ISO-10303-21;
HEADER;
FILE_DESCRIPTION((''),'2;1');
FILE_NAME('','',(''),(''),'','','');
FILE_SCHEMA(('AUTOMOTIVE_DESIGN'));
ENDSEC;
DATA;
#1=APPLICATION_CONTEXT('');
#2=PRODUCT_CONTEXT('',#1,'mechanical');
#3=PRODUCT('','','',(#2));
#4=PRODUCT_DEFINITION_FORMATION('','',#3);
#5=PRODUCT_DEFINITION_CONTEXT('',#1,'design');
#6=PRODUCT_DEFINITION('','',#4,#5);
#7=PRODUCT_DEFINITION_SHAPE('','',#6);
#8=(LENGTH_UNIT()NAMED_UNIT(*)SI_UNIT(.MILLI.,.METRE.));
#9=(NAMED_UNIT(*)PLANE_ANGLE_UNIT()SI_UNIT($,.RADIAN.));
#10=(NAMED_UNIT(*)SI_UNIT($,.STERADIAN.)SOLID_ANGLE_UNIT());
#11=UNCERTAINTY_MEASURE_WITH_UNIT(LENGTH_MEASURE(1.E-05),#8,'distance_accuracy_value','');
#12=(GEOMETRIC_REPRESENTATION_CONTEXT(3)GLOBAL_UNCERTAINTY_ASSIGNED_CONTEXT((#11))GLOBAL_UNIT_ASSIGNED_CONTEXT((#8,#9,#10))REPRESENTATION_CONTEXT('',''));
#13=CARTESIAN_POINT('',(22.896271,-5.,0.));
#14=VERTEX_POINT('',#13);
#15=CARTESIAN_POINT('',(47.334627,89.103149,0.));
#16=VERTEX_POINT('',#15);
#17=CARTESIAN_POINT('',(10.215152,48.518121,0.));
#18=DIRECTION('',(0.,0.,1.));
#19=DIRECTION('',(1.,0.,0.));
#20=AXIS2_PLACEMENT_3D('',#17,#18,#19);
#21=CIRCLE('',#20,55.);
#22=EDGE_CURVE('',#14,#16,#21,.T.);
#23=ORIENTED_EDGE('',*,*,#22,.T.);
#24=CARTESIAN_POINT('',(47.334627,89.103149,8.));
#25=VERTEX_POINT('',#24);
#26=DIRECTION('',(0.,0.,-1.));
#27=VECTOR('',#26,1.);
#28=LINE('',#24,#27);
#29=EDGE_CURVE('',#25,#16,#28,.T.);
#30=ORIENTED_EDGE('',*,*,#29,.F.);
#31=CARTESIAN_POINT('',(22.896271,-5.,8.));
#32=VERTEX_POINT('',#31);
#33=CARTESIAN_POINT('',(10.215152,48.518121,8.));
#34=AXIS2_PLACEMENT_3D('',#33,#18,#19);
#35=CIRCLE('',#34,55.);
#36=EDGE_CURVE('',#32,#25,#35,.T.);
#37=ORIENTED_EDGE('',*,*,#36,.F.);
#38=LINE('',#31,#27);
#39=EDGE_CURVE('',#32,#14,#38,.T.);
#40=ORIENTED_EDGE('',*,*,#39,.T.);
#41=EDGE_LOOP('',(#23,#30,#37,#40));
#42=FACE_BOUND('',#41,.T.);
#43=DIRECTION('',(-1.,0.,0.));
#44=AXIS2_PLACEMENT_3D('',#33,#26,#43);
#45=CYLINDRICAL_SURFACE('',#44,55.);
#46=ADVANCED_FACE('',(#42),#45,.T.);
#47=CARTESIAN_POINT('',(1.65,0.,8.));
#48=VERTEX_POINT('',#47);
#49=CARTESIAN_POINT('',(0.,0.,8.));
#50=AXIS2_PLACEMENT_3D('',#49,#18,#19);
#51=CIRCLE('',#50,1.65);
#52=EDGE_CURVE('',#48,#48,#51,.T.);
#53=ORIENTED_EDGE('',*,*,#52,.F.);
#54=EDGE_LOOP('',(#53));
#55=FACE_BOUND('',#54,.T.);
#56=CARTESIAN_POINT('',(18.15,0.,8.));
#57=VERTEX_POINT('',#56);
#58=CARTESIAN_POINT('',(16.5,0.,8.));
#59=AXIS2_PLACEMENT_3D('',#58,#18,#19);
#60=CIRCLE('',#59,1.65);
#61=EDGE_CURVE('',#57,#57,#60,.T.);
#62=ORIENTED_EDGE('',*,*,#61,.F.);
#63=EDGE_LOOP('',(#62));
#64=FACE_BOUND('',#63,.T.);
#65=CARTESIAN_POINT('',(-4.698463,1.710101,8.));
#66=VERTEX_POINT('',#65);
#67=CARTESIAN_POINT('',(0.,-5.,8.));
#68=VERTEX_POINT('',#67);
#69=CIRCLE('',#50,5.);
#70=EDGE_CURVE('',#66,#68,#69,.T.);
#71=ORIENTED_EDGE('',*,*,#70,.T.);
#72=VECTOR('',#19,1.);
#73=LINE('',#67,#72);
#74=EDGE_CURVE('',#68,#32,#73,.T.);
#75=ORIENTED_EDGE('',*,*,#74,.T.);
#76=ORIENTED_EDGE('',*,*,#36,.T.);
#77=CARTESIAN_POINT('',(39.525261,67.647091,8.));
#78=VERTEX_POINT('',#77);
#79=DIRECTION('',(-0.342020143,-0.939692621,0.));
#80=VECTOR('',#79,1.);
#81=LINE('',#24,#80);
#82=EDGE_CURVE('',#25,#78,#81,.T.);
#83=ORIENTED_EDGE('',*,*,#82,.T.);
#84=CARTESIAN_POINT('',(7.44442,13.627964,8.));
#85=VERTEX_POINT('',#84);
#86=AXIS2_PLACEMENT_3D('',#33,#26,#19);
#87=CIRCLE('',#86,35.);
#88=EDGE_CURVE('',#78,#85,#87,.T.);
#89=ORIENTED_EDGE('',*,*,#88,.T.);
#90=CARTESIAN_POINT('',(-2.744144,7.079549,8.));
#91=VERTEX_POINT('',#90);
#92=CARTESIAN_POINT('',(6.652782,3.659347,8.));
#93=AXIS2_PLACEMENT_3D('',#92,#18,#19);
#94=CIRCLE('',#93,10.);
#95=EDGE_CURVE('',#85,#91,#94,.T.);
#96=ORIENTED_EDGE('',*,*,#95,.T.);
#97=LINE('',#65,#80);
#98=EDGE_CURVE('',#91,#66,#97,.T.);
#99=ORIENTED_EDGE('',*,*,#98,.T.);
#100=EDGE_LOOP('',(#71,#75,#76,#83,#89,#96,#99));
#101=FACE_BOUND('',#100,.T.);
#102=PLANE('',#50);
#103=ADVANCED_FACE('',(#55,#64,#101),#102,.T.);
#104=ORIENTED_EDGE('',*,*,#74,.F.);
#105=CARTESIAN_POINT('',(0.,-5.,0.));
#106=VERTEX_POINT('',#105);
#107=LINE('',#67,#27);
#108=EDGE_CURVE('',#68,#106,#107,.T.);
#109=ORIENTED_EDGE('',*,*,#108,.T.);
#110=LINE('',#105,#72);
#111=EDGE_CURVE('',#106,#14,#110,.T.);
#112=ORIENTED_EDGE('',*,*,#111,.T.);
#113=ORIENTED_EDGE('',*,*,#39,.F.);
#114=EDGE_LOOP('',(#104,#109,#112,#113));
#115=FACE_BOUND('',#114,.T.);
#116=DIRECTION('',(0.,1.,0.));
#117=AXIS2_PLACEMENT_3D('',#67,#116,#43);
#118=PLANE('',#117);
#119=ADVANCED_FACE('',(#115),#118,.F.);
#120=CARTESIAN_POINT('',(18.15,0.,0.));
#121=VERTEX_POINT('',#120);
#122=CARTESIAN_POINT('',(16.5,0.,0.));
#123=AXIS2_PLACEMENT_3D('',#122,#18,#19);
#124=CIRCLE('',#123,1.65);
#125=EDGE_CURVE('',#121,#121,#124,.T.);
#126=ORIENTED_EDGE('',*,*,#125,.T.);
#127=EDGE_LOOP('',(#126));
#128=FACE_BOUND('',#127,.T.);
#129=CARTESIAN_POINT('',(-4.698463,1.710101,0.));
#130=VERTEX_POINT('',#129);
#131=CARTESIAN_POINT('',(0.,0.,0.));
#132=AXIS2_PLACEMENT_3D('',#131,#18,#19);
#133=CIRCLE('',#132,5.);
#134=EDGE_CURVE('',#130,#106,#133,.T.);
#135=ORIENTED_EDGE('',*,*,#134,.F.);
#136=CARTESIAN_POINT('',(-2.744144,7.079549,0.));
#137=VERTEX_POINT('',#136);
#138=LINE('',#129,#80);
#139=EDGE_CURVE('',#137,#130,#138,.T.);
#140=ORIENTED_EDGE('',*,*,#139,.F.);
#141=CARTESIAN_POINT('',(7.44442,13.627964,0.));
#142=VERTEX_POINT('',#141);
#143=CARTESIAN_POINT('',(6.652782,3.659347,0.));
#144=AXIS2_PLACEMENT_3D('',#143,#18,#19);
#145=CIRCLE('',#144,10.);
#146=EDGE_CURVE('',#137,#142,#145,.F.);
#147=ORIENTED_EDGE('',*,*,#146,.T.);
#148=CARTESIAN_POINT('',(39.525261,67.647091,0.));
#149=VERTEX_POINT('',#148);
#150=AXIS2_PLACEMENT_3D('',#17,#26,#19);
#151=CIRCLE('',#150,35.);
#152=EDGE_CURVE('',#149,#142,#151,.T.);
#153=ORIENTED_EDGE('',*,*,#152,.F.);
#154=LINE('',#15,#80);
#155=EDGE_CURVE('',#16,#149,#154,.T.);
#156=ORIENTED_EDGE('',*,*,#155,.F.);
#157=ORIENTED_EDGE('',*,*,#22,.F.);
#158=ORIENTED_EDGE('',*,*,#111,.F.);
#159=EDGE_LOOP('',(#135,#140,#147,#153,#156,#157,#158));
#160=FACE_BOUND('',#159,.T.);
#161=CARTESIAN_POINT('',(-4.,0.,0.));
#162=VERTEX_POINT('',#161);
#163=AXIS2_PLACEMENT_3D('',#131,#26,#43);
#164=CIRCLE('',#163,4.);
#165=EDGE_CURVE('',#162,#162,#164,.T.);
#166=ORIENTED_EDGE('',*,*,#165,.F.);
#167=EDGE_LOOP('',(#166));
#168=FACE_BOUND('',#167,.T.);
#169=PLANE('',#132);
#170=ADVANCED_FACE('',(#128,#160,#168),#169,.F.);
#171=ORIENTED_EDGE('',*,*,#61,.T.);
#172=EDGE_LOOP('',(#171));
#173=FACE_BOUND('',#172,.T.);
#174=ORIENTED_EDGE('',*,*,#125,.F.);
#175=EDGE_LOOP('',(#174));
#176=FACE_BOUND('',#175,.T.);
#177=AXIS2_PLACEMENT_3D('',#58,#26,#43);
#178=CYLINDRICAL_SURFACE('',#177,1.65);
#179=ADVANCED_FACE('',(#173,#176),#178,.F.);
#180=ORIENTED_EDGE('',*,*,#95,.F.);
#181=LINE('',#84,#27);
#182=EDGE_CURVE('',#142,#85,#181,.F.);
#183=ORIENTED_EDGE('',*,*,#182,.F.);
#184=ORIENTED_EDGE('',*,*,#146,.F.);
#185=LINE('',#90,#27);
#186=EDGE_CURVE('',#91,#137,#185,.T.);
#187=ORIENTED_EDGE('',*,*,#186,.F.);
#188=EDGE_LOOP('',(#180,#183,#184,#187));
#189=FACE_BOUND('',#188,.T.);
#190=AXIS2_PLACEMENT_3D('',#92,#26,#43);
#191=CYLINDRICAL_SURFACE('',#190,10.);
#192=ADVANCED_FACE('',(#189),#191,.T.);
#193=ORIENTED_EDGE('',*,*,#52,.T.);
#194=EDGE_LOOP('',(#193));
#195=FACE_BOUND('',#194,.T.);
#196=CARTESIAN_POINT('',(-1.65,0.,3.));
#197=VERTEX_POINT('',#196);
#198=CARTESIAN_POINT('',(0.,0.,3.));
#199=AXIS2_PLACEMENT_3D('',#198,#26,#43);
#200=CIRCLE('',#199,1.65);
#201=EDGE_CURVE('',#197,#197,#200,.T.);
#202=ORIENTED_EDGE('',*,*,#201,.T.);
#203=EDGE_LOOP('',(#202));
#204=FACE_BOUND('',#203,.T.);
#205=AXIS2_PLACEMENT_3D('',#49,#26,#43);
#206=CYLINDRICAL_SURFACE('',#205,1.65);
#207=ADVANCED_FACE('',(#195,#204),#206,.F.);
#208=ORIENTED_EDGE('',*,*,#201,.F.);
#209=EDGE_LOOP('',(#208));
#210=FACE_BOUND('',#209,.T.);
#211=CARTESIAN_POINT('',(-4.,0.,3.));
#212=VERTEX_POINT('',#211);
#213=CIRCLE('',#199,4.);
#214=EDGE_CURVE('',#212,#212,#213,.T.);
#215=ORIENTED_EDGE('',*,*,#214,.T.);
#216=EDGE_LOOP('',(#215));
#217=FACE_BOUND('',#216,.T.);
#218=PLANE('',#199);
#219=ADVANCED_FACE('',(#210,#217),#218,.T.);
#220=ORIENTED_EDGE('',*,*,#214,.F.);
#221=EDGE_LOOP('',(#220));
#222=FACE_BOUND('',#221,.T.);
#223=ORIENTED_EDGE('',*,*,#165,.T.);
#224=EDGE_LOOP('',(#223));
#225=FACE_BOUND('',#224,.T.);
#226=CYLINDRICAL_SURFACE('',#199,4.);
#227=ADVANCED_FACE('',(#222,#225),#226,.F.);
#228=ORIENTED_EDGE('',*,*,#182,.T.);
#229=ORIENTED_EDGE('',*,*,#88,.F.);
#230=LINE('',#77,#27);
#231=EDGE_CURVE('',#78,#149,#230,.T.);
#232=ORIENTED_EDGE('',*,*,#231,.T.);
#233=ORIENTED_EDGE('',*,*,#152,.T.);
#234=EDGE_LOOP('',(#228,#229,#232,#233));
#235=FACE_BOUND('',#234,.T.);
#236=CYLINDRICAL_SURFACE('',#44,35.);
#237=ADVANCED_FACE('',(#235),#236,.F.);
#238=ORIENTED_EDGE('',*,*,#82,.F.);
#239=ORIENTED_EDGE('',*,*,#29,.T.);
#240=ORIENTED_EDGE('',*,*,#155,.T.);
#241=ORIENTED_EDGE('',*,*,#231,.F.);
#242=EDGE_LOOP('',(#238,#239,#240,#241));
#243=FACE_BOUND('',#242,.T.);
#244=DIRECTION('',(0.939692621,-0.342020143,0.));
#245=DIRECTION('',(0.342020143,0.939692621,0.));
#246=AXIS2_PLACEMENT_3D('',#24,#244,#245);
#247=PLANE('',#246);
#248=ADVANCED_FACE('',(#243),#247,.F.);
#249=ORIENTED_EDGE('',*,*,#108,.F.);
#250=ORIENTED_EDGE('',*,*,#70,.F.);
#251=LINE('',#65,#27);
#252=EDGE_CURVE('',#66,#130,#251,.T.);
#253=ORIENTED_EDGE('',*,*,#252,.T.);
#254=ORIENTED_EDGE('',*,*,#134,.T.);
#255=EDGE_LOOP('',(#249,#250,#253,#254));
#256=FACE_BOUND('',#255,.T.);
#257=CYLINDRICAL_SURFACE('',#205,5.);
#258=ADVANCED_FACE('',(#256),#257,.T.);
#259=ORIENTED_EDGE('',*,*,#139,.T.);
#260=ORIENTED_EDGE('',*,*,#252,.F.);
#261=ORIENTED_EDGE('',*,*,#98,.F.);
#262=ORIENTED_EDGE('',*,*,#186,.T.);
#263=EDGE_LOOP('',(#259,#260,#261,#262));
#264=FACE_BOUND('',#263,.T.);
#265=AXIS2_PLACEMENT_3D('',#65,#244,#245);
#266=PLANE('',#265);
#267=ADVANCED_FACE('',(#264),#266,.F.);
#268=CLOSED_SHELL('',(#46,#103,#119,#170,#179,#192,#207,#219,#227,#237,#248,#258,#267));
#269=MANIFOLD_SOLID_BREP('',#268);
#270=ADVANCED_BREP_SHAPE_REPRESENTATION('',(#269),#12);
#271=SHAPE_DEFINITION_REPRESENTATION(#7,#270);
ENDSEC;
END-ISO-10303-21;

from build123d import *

# Parameters (mm, degrees)
SKETCH_1_R          = 1.65
EXTRUDE_1_DEPTH     = 8
FILLET_1_R          = 10
SKETCH_2_R          = 4
CUT_EXTRUDE_1_DEPTH = 3


with BuildPart() as part:
    # 草圖1 → 填料-伸長1 (new body)
    with BuildSketch(Plane.XY):
        with BuildLine():
            Line((0, -5), (22.896270517, -5))
            ThreePointArc((22.896270517, -5), (63.449308727, 34.693340668), (47.334627368, 89.103149031))
            Line((47.334627368, 89.103149031), (39.525260877, 67.647090937))
            ThreePointArc((39.525260877, 67.647090937), (38.24035653, 27.551768918), (0.138664652, 15))
            Line((0.138664652, 15), (-4.698463104, 1.710100717))
            ThreePointArc((-4.698463104, 1.710100717), (-4.095760221, -2.867882182), (0, -5))
        make_face()
        Circle(SKETCH_1_R, mode=Mode.SUBTRACT)
        with Locations((16.5, 0)):
            Circle(SKETCH_1_R, mode=Mode.SUBTRACT)
    extrude(amount=EXTRUDE_1_DEPTH)

    # 圓角1
    fillet_1_edges = [part.edges().sort_by_distance(p)[0] for p in [
        (0.138664652, 15, 4),
    ]]
    fillet(fillet_1_edges, radius=FILLET_1_R)

    # 草圖2 → 除料-伸長1 (cut)
    with BuildSketch(Plane(origin=(0, 0, 0), x_dir=(-1, 0, 0), z_dir=(0, 0, -1))):
        Circle(SKETCH_2_R)
    extrude(amount=-CUT_EXTRUDE_1_DEPTH, mode=Mode.SUBTRACT)


solid = part.part
